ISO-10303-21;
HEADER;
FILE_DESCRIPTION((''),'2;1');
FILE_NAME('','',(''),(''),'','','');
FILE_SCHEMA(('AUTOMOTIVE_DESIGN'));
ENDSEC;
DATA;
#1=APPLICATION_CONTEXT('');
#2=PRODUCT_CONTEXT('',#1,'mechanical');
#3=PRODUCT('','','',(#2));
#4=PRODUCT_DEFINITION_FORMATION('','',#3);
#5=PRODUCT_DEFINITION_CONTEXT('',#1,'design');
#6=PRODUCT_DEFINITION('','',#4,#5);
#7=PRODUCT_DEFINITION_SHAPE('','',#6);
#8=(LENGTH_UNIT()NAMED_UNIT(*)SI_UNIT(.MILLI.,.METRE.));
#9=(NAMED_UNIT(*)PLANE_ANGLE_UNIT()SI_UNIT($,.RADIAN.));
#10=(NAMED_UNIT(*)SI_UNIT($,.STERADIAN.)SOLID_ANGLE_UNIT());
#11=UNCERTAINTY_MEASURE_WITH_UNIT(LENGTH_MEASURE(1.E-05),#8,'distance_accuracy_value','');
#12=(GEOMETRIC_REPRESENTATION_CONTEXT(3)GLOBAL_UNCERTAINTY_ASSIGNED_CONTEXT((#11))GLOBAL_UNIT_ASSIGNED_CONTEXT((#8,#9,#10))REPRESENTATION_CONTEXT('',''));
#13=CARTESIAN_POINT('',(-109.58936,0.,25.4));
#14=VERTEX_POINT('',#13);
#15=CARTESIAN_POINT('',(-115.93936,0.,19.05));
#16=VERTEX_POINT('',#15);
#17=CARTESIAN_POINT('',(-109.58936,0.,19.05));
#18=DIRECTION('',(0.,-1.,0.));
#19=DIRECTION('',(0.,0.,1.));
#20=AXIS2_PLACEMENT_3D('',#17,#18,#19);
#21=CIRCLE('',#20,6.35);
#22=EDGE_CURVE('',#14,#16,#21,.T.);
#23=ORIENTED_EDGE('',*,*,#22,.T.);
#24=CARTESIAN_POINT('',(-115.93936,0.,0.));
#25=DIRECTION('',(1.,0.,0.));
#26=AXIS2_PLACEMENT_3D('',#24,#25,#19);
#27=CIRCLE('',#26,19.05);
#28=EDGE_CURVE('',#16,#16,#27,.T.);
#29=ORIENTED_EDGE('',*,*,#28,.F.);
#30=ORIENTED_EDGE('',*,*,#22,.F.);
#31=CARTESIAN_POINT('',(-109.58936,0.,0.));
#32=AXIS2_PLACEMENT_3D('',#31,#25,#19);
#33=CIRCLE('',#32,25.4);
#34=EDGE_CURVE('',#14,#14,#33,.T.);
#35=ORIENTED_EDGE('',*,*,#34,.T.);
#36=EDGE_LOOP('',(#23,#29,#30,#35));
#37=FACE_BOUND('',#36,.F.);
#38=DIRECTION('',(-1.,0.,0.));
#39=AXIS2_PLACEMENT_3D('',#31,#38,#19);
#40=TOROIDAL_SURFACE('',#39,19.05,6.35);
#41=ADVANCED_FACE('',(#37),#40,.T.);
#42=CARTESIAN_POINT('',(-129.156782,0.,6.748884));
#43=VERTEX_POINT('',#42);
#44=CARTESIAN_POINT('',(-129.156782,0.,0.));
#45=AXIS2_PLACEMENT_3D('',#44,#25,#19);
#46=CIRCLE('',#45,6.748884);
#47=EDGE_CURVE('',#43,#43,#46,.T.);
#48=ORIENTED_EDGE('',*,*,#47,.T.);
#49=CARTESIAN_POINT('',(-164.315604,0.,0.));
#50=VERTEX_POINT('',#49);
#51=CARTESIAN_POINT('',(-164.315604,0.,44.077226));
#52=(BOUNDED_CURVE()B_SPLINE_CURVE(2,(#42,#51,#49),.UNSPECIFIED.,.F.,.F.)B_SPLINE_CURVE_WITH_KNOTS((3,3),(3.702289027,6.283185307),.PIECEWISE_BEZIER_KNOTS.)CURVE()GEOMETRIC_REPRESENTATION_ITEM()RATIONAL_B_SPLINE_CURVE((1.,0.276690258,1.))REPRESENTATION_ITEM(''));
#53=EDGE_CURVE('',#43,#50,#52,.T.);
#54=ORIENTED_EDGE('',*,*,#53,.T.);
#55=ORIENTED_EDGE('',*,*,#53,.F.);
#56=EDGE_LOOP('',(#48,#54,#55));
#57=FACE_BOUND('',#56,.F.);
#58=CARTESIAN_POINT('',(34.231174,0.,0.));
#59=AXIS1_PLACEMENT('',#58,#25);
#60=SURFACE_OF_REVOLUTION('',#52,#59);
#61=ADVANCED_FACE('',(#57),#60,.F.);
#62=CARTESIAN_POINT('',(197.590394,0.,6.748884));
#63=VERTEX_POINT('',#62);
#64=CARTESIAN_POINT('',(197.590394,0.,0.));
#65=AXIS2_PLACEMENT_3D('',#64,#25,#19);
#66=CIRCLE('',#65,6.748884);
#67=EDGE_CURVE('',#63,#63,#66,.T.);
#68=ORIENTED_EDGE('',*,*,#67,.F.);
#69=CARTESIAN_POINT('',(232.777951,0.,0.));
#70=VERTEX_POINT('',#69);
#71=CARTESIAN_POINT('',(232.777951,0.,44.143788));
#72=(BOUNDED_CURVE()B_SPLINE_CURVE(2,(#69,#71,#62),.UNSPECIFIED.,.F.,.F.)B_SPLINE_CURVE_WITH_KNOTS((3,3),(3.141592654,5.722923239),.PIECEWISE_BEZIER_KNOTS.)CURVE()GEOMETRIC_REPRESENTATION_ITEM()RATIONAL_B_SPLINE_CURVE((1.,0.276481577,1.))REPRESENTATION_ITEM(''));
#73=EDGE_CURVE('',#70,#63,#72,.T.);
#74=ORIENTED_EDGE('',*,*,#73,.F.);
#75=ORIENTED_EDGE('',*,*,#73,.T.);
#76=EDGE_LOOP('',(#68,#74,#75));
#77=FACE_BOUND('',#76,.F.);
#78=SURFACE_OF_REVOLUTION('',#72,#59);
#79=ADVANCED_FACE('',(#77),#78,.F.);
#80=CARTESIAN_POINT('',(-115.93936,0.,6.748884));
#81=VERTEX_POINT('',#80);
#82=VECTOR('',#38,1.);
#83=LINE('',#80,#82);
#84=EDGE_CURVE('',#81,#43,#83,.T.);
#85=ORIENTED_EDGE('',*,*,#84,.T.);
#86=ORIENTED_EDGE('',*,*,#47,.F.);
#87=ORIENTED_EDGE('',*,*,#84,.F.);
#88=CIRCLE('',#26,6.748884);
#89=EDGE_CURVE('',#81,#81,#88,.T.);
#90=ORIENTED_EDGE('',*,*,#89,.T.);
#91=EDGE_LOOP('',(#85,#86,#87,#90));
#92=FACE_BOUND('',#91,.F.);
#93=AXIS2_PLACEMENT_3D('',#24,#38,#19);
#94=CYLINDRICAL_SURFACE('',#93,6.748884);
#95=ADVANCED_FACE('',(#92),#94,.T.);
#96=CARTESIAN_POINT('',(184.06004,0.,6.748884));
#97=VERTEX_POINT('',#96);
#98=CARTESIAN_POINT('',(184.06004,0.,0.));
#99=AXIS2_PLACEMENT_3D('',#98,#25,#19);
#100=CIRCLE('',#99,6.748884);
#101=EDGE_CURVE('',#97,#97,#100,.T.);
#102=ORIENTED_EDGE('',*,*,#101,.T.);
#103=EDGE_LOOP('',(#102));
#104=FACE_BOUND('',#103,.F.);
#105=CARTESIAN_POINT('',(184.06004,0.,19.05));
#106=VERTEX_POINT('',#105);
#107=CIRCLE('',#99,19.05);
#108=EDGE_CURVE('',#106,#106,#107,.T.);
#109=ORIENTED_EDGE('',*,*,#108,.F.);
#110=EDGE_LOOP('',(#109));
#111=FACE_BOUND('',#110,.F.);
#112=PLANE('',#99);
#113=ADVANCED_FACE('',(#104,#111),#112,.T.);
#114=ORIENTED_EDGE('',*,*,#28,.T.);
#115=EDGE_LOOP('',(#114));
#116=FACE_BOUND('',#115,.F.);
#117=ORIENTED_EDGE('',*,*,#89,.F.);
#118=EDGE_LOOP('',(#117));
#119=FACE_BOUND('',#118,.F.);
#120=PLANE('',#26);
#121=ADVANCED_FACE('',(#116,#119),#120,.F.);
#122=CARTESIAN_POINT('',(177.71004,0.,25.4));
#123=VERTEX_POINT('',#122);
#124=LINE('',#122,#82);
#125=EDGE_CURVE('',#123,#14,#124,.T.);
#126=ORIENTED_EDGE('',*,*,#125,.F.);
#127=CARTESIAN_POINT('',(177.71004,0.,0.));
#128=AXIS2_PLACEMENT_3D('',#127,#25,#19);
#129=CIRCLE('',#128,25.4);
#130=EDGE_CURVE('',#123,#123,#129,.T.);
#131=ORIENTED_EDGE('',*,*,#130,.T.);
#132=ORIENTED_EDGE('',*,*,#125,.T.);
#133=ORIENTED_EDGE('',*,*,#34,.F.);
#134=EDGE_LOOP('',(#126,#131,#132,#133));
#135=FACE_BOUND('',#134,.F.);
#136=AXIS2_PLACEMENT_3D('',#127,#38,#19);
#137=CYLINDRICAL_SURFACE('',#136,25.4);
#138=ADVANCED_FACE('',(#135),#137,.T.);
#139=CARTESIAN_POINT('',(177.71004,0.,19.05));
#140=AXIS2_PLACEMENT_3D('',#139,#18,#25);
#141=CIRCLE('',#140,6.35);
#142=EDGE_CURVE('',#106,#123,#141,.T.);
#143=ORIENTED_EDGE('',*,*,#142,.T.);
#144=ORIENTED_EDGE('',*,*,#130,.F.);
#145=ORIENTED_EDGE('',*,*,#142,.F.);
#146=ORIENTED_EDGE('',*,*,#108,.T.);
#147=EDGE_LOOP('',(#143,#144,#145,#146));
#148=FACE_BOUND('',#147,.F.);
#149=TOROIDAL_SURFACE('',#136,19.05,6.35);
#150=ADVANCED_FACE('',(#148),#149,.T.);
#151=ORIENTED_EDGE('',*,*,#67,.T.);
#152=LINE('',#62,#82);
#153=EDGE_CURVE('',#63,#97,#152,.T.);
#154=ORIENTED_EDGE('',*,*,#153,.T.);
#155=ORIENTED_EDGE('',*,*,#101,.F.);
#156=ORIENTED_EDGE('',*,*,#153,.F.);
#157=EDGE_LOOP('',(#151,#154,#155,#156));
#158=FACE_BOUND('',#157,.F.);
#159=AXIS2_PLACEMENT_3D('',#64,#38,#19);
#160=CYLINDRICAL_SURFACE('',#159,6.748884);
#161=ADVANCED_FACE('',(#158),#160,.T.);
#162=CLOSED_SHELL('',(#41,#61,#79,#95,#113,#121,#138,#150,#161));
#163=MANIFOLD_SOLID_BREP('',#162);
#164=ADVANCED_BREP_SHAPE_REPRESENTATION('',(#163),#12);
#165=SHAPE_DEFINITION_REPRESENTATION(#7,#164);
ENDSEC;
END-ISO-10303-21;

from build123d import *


with BuildPart() as f1:
    # F0 (on Front) → F1 (revolve)
    with BuildSketch(Plane.XZ):
        with BuildLine():
            Line((177.7100403875, 25.4), (-109.5893596125, 25.4))
            ThreePointArc((-109.5893596125, 25.4), (-114.0794876731, 23.5401280605), (-115.9393596125, 19.05))
            Line((-115.9393596125, 19.05), (-115.9393596125, 6.7488843738))
            Line((-115.9393596125, 6.7488843738), (-129.1567824918, 6.7488843738))
            add(Edge.make_bspline(
                [(-129.1567824918, 6.7488843738), (-164.315603803, 44.0772259532), (-164.315603803, 0)],
                knots=[3.7022890268, 3.7022890268, 3.7022890268, 6.2831853072, 6.2831853072, 6.2831853072], degree=2, weights=[1, 0.2766902584, 1]))
            Line((-164.315603803, 0), (232.7779510498, 0))
            add(Edge.make_bspline(
                [(232.7779510498, 0), (232.7779510498, 44.1437877656), (197.5903936341, 6.7488843738)],
                knots=[3.1415926536, 3.1415926536, 3.1415926536, 5.7229232388, 5.7229232388, 5.7229232388], degree=2, weights=[1, 0.2764815773, 1]))
            Line((197.5903936341, 6.7488843738), (184.0600403875, 6.7488843738))
            Line((184.0600403875, 6.7488843738), (184.0600403875, 19.05))
            ThreePointArc((184.0600403875, 19.05), (182.200168448, 23.5401280605), (177.7100403875, 25.4))
        make_face()
    revolve(axis=Axis((34.2311736234, 0, 0), (1, 0, 0)))


solid = f1.part
